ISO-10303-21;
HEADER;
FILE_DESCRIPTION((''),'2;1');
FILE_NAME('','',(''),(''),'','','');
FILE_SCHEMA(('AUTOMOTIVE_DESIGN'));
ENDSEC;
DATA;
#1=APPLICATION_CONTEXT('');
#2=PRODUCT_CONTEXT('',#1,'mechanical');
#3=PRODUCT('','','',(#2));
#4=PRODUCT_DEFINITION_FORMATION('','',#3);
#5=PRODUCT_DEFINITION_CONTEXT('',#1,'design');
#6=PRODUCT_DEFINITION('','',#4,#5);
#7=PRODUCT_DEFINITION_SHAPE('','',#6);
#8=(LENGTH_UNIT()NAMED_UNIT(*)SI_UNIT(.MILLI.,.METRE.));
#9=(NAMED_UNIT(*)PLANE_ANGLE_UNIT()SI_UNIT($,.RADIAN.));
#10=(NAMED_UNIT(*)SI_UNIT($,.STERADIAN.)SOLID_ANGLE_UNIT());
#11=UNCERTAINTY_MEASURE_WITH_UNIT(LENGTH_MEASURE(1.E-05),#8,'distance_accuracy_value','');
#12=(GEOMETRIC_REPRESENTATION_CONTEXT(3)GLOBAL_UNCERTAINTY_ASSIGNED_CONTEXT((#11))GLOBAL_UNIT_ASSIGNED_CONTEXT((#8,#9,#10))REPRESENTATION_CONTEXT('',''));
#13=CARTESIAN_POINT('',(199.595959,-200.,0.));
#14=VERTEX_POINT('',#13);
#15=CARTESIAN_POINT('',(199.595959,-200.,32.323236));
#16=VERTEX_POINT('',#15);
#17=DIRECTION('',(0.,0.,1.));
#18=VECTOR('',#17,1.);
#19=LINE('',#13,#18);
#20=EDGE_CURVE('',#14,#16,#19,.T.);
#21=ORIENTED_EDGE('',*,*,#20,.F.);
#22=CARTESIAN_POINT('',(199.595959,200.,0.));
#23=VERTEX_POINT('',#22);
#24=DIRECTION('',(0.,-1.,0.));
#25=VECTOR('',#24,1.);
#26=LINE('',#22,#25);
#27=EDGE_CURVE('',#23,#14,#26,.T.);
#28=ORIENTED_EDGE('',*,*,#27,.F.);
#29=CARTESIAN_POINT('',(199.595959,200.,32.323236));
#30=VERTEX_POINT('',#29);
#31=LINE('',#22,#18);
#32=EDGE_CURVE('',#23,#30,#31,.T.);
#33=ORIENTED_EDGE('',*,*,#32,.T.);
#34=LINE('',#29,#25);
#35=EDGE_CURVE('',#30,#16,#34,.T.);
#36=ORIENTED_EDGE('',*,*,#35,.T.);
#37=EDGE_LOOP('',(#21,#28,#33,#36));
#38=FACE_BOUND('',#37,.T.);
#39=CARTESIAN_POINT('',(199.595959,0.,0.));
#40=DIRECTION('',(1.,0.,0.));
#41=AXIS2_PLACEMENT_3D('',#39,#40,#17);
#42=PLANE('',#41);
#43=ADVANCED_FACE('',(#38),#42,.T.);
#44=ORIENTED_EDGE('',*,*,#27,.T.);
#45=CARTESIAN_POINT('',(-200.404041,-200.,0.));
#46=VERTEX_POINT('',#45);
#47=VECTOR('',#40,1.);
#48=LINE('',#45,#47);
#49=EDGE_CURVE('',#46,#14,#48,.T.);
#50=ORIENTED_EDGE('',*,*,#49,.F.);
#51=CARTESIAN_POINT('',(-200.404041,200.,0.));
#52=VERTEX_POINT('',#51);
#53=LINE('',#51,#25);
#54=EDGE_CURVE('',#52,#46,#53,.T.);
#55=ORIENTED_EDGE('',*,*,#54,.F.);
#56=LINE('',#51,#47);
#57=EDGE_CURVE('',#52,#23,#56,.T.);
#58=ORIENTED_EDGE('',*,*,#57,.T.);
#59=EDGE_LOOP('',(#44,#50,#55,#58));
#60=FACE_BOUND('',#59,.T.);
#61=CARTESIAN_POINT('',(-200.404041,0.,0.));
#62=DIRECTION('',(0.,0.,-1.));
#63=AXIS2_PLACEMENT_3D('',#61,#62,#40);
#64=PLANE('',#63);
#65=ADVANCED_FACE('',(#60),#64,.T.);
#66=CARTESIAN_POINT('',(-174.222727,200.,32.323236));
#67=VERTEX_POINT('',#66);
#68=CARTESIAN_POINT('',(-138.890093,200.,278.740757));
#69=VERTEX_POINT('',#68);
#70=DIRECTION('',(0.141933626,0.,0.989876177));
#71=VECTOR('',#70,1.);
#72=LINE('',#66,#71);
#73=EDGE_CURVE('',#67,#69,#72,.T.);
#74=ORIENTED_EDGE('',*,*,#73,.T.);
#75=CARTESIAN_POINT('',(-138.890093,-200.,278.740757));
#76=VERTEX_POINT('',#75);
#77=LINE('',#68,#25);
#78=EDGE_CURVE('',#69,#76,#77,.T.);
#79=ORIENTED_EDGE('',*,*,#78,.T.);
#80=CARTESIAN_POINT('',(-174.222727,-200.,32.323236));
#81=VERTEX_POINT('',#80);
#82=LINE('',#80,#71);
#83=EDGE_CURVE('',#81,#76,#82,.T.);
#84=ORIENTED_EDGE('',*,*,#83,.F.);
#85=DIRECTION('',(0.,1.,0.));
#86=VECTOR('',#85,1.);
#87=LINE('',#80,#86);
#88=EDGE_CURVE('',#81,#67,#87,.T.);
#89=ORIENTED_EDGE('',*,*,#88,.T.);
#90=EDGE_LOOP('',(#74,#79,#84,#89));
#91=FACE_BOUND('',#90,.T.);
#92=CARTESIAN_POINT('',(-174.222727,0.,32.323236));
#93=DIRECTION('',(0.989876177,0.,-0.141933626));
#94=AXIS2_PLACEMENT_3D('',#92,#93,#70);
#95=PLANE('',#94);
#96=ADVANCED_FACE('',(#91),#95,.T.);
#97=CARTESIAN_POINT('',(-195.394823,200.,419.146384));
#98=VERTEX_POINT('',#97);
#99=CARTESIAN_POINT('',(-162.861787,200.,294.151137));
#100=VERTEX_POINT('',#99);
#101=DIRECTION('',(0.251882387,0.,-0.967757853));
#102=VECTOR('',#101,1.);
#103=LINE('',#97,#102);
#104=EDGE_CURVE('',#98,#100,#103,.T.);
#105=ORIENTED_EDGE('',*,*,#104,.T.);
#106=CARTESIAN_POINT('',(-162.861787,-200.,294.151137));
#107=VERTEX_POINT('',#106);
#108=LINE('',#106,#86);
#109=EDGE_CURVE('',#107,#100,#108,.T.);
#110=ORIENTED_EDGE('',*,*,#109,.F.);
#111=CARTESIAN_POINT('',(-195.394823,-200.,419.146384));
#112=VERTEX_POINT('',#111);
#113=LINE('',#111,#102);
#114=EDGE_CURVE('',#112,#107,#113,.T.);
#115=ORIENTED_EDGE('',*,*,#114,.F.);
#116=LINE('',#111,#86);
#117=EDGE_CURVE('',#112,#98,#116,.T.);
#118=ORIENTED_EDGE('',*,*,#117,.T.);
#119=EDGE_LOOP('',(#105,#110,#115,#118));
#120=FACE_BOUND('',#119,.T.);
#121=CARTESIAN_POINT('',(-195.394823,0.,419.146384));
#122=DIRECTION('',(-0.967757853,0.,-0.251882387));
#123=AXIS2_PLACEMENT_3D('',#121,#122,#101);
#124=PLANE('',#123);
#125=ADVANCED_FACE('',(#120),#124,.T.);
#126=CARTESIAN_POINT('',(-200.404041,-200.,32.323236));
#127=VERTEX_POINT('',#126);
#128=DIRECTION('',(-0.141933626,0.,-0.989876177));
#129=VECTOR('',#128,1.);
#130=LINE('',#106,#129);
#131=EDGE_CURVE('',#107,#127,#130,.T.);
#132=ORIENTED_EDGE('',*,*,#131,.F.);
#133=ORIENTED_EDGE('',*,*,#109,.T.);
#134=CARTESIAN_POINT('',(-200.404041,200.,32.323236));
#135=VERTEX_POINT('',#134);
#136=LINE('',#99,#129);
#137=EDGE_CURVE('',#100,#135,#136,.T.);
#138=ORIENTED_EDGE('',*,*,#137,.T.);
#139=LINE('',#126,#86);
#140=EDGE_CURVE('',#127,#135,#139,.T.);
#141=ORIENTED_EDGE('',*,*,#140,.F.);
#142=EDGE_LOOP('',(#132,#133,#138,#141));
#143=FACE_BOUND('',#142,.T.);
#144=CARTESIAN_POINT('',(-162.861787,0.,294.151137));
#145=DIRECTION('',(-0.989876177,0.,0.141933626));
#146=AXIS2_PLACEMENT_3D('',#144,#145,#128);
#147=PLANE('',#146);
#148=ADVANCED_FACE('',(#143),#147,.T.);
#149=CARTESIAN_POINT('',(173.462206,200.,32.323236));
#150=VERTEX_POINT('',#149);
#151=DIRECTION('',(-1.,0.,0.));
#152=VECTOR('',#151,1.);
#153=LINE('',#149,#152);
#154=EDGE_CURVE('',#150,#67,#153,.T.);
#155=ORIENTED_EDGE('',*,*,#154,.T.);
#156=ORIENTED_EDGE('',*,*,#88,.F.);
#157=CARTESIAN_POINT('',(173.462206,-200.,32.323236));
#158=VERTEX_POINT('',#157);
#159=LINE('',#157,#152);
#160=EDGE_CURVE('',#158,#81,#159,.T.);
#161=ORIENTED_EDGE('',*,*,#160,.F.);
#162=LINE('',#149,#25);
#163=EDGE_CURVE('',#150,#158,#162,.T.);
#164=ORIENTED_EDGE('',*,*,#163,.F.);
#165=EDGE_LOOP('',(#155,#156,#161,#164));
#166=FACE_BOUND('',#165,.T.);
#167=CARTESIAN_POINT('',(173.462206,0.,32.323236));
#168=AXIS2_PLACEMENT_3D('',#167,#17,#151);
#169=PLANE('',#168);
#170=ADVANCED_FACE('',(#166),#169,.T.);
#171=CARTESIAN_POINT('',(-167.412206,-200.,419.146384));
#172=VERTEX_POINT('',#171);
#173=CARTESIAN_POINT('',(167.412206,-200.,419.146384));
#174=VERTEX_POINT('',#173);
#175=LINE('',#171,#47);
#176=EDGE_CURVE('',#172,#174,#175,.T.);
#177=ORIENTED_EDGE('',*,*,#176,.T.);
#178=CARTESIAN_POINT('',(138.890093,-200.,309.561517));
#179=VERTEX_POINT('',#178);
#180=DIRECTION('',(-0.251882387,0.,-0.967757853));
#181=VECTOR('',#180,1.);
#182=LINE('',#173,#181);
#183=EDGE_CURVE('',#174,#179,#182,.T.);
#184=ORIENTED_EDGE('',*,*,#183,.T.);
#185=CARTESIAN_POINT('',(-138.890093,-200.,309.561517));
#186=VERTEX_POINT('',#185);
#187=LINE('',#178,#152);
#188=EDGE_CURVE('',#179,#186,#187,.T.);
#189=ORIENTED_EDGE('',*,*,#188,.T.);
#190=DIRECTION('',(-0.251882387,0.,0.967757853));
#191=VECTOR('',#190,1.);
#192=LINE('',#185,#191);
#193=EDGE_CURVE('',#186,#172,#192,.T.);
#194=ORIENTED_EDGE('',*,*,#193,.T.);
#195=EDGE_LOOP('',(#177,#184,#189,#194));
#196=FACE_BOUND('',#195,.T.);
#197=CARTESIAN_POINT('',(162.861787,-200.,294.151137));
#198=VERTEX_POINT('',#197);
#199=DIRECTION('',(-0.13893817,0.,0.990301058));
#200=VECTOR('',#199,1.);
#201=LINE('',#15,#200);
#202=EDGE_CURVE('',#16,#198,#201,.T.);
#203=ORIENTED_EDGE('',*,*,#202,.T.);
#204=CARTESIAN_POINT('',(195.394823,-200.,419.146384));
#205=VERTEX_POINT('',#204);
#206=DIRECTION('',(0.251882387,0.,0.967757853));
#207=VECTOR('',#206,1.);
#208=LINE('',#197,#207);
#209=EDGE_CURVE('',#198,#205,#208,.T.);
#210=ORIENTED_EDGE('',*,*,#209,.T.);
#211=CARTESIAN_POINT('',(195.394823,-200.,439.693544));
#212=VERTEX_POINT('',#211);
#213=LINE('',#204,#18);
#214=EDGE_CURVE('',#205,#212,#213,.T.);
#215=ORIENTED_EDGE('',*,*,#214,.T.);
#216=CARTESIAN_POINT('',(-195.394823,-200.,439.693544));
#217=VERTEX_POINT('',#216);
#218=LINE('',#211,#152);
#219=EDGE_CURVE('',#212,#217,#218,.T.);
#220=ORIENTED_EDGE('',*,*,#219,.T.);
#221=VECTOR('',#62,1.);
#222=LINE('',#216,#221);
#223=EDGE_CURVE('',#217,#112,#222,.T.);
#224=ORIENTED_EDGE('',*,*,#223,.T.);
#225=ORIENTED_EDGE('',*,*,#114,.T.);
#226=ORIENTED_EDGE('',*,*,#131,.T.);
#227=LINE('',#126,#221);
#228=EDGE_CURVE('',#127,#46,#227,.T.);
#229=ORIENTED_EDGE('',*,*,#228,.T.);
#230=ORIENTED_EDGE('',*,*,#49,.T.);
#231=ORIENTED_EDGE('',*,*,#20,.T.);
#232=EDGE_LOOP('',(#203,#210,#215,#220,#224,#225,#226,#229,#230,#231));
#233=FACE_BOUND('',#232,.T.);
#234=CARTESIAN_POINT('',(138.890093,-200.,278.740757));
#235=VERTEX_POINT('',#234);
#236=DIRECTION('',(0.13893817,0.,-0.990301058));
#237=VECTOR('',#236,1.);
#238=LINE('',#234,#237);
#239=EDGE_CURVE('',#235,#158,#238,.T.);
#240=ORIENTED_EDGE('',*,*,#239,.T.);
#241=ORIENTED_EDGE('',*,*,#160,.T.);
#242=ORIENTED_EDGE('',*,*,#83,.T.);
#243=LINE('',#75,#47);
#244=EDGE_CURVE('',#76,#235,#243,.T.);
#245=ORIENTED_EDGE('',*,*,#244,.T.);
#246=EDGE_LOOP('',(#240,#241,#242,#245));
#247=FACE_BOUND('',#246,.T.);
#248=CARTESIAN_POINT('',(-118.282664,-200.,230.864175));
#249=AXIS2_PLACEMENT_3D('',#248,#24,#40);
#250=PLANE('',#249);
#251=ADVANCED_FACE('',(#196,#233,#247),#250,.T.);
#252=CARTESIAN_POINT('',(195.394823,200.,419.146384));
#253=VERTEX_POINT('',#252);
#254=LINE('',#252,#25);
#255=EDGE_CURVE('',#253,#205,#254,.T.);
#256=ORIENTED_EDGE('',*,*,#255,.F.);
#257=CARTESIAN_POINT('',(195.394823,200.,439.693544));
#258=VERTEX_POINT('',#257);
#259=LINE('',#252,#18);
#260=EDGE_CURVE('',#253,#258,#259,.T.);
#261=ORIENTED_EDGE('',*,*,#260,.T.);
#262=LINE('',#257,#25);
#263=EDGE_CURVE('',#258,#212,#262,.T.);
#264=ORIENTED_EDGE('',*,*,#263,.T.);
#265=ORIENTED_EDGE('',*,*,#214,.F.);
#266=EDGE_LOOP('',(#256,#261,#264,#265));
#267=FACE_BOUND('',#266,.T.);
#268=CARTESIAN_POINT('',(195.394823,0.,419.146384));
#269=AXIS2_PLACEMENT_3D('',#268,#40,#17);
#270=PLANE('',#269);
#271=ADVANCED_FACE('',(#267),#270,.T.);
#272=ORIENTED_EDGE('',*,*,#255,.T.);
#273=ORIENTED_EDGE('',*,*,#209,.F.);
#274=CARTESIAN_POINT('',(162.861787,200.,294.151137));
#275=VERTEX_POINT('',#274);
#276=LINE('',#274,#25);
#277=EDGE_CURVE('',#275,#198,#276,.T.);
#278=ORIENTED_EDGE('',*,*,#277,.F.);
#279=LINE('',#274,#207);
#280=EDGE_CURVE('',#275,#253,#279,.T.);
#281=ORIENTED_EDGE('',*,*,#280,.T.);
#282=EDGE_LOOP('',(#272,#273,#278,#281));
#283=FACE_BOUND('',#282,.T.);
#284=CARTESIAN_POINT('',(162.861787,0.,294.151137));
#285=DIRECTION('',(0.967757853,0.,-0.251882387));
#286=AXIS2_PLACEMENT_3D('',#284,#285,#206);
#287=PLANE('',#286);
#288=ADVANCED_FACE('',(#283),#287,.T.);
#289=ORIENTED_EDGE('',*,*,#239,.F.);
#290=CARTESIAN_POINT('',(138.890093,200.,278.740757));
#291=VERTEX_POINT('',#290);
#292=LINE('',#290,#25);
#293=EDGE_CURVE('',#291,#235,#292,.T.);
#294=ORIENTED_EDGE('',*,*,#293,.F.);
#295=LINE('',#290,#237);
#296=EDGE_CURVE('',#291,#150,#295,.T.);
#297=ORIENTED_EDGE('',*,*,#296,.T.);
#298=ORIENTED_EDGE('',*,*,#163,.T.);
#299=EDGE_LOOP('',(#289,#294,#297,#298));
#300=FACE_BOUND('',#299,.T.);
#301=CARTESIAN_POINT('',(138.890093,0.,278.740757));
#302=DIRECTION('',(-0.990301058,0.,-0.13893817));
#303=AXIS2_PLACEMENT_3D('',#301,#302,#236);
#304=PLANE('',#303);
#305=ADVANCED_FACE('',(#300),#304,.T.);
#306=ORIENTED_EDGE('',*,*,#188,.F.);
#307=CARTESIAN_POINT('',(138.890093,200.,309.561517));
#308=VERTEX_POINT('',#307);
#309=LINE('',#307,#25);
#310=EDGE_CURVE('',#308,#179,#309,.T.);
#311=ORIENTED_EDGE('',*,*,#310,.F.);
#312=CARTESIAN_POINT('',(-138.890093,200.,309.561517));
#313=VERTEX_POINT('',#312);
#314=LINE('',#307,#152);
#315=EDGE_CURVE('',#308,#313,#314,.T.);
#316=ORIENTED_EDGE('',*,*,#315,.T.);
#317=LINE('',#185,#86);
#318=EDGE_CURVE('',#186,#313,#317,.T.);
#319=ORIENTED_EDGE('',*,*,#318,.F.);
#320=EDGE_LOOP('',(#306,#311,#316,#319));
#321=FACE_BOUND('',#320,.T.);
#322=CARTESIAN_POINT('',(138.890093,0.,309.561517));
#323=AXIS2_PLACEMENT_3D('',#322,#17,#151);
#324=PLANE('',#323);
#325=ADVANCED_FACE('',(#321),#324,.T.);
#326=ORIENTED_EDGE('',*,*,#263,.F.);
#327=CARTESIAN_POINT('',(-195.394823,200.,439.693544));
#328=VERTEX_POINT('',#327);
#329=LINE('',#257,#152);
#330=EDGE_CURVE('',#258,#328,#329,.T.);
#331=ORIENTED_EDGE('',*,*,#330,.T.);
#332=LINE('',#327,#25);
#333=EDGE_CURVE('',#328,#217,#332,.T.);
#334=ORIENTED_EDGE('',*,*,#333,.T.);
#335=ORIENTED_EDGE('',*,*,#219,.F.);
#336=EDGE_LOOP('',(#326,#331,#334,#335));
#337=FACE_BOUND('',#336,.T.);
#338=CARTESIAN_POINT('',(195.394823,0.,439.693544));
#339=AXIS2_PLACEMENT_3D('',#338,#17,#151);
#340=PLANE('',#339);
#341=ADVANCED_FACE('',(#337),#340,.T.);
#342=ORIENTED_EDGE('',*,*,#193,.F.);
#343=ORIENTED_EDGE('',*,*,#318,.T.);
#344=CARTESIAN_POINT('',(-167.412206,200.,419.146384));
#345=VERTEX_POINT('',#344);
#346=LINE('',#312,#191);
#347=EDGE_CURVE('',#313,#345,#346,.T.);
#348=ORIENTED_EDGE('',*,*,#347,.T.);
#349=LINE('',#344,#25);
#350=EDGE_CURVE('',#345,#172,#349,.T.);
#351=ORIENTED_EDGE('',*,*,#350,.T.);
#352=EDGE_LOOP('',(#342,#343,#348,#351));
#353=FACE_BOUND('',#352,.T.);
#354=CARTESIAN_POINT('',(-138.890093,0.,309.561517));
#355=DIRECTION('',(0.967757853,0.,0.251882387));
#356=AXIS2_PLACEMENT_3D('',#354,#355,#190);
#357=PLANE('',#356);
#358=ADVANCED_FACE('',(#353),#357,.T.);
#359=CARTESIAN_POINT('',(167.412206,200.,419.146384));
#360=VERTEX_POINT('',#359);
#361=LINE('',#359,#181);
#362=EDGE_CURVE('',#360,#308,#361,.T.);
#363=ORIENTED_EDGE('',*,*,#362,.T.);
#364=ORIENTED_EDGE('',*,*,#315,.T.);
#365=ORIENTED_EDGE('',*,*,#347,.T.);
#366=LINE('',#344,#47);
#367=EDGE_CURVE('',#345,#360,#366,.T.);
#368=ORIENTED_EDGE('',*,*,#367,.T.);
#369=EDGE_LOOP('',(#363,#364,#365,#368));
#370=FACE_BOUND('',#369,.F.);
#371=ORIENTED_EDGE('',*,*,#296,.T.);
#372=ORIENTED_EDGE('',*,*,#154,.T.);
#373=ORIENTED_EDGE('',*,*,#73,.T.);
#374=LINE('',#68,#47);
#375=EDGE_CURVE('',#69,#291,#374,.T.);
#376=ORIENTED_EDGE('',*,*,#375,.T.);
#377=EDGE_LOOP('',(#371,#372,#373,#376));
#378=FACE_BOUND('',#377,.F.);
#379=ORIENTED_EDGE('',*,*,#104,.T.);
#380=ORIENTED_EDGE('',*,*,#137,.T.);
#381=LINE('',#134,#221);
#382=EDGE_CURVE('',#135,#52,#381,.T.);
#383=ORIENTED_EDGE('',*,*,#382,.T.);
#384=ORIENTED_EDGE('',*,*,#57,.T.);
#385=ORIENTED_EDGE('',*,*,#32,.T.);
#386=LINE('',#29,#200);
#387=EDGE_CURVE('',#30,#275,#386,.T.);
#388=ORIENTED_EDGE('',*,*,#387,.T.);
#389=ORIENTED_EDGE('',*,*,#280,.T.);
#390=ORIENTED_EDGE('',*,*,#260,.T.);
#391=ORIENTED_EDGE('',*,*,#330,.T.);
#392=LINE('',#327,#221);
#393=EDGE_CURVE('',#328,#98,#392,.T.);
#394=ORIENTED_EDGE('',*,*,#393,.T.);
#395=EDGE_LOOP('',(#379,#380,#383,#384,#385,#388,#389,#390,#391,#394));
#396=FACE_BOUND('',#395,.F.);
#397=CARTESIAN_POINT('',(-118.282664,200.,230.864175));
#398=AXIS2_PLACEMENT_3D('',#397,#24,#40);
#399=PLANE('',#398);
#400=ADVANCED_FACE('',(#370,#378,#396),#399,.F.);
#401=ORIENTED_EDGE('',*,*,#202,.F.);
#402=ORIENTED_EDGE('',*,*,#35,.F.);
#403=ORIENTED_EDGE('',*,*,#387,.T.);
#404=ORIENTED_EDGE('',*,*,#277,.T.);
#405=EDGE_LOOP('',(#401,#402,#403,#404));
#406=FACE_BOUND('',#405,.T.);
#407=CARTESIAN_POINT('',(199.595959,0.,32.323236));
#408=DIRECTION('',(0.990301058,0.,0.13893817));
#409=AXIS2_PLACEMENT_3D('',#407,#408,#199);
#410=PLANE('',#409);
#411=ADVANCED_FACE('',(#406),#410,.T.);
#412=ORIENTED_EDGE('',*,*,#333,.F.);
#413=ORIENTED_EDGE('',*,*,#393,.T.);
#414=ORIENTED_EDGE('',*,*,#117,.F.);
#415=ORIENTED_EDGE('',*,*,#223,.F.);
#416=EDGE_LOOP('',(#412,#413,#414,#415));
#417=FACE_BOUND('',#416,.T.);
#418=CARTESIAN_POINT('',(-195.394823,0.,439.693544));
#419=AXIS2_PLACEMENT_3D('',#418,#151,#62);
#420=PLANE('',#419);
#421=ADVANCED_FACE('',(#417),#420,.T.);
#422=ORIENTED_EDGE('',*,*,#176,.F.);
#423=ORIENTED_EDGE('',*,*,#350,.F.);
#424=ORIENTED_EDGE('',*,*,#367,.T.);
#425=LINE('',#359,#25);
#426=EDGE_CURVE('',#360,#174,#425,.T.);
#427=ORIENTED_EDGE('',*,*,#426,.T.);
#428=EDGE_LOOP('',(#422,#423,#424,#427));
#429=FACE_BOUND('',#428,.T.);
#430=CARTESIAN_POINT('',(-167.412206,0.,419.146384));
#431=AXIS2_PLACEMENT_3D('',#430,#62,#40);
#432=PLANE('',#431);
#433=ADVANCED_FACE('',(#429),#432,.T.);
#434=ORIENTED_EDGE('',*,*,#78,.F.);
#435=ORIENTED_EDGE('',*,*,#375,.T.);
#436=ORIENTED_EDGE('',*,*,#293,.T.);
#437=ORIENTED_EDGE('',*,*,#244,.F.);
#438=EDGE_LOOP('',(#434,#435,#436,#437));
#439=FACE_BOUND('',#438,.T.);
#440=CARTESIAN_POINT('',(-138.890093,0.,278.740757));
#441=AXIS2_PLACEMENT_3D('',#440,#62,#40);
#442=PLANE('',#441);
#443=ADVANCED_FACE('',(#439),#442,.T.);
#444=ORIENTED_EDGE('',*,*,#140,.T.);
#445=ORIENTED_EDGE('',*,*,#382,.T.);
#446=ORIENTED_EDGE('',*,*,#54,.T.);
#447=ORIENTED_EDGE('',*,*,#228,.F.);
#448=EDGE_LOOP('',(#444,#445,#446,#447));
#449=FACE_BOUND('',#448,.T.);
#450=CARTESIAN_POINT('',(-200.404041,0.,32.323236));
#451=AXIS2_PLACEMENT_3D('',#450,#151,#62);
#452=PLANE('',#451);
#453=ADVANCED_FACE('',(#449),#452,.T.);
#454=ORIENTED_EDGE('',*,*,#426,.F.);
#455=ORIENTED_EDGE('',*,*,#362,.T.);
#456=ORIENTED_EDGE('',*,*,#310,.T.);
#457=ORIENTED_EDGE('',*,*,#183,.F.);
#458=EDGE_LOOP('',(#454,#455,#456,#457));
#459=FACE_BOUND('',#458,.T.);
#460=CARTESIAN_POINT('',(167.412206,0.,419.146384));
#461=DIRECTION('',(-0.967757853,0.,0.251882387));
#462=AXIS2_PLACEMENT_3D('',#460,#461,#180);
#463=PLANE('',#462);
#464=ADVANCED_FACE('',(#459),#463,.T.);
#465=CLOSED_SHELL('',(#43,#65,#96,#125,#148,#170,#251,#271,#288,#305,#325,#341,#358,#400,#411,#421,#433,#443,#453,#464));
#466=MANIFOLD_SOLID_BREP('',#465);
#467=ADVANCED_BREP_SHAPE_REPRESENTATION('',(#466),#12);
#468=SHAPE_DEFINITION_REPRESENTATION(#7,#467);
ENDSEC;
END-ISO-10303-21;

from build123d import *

# Parameters (mm, degrees)
F1_DEPTH = 200
F2_DEPTH = 200


with BuildPart() as f1:
    # F0 (on Front) → F1 (new body)
    with BuildSketch(Plane.XZ):
        Polygon((-200.404041155, 32.3232361522), (-200.404041155, 0), (0, 0), (0, 32.3232361522), (-174.2227269083, 32.3232361522), (-138.8900934788, 278.7407568237), (0, 278.7407568237), (0, 309.5615165938), (-138.8900934788, 309.5615165938), (-167.4122055572, 419.1463837006), (0, 419.1463837006), (0, 439.6935438375), (-195.3948229849, 439.6935438375), (-195.3948229849, 419.1463837006), (-162.8617868268, 294.1511367087), align=None)
        Polygon((0, 32.3232361522), (0, 0), (199.595958845, 0), (199.595958845, 32.3232361522), (162.8617868268, 294.1511367087), (195.3948229849, 419.1463837006), (195.3948229849, 439.6935438375), (0, 439.6935438375), (0, 419.1463837006), (167.4122055572, 419.1463837006), (138.8900934788, 309.5615165938), (0, 309.5615165938), (0, 278.7407568237), (138.8900934788, 278.7407568237), (173.4622058221, 32.3232361522), align=None)
    extrude(amount=F1_DEPTH)

    # F2 (add): a face of the model
    f2_faces = [f1.faces().sort_by_distance(p)[0] for p in [
        (-194.4598808906, 0, 16.1616180761),
    ]]
    extrude(f2_faces, amount=F2_DEPTH)


solid = f1.part
